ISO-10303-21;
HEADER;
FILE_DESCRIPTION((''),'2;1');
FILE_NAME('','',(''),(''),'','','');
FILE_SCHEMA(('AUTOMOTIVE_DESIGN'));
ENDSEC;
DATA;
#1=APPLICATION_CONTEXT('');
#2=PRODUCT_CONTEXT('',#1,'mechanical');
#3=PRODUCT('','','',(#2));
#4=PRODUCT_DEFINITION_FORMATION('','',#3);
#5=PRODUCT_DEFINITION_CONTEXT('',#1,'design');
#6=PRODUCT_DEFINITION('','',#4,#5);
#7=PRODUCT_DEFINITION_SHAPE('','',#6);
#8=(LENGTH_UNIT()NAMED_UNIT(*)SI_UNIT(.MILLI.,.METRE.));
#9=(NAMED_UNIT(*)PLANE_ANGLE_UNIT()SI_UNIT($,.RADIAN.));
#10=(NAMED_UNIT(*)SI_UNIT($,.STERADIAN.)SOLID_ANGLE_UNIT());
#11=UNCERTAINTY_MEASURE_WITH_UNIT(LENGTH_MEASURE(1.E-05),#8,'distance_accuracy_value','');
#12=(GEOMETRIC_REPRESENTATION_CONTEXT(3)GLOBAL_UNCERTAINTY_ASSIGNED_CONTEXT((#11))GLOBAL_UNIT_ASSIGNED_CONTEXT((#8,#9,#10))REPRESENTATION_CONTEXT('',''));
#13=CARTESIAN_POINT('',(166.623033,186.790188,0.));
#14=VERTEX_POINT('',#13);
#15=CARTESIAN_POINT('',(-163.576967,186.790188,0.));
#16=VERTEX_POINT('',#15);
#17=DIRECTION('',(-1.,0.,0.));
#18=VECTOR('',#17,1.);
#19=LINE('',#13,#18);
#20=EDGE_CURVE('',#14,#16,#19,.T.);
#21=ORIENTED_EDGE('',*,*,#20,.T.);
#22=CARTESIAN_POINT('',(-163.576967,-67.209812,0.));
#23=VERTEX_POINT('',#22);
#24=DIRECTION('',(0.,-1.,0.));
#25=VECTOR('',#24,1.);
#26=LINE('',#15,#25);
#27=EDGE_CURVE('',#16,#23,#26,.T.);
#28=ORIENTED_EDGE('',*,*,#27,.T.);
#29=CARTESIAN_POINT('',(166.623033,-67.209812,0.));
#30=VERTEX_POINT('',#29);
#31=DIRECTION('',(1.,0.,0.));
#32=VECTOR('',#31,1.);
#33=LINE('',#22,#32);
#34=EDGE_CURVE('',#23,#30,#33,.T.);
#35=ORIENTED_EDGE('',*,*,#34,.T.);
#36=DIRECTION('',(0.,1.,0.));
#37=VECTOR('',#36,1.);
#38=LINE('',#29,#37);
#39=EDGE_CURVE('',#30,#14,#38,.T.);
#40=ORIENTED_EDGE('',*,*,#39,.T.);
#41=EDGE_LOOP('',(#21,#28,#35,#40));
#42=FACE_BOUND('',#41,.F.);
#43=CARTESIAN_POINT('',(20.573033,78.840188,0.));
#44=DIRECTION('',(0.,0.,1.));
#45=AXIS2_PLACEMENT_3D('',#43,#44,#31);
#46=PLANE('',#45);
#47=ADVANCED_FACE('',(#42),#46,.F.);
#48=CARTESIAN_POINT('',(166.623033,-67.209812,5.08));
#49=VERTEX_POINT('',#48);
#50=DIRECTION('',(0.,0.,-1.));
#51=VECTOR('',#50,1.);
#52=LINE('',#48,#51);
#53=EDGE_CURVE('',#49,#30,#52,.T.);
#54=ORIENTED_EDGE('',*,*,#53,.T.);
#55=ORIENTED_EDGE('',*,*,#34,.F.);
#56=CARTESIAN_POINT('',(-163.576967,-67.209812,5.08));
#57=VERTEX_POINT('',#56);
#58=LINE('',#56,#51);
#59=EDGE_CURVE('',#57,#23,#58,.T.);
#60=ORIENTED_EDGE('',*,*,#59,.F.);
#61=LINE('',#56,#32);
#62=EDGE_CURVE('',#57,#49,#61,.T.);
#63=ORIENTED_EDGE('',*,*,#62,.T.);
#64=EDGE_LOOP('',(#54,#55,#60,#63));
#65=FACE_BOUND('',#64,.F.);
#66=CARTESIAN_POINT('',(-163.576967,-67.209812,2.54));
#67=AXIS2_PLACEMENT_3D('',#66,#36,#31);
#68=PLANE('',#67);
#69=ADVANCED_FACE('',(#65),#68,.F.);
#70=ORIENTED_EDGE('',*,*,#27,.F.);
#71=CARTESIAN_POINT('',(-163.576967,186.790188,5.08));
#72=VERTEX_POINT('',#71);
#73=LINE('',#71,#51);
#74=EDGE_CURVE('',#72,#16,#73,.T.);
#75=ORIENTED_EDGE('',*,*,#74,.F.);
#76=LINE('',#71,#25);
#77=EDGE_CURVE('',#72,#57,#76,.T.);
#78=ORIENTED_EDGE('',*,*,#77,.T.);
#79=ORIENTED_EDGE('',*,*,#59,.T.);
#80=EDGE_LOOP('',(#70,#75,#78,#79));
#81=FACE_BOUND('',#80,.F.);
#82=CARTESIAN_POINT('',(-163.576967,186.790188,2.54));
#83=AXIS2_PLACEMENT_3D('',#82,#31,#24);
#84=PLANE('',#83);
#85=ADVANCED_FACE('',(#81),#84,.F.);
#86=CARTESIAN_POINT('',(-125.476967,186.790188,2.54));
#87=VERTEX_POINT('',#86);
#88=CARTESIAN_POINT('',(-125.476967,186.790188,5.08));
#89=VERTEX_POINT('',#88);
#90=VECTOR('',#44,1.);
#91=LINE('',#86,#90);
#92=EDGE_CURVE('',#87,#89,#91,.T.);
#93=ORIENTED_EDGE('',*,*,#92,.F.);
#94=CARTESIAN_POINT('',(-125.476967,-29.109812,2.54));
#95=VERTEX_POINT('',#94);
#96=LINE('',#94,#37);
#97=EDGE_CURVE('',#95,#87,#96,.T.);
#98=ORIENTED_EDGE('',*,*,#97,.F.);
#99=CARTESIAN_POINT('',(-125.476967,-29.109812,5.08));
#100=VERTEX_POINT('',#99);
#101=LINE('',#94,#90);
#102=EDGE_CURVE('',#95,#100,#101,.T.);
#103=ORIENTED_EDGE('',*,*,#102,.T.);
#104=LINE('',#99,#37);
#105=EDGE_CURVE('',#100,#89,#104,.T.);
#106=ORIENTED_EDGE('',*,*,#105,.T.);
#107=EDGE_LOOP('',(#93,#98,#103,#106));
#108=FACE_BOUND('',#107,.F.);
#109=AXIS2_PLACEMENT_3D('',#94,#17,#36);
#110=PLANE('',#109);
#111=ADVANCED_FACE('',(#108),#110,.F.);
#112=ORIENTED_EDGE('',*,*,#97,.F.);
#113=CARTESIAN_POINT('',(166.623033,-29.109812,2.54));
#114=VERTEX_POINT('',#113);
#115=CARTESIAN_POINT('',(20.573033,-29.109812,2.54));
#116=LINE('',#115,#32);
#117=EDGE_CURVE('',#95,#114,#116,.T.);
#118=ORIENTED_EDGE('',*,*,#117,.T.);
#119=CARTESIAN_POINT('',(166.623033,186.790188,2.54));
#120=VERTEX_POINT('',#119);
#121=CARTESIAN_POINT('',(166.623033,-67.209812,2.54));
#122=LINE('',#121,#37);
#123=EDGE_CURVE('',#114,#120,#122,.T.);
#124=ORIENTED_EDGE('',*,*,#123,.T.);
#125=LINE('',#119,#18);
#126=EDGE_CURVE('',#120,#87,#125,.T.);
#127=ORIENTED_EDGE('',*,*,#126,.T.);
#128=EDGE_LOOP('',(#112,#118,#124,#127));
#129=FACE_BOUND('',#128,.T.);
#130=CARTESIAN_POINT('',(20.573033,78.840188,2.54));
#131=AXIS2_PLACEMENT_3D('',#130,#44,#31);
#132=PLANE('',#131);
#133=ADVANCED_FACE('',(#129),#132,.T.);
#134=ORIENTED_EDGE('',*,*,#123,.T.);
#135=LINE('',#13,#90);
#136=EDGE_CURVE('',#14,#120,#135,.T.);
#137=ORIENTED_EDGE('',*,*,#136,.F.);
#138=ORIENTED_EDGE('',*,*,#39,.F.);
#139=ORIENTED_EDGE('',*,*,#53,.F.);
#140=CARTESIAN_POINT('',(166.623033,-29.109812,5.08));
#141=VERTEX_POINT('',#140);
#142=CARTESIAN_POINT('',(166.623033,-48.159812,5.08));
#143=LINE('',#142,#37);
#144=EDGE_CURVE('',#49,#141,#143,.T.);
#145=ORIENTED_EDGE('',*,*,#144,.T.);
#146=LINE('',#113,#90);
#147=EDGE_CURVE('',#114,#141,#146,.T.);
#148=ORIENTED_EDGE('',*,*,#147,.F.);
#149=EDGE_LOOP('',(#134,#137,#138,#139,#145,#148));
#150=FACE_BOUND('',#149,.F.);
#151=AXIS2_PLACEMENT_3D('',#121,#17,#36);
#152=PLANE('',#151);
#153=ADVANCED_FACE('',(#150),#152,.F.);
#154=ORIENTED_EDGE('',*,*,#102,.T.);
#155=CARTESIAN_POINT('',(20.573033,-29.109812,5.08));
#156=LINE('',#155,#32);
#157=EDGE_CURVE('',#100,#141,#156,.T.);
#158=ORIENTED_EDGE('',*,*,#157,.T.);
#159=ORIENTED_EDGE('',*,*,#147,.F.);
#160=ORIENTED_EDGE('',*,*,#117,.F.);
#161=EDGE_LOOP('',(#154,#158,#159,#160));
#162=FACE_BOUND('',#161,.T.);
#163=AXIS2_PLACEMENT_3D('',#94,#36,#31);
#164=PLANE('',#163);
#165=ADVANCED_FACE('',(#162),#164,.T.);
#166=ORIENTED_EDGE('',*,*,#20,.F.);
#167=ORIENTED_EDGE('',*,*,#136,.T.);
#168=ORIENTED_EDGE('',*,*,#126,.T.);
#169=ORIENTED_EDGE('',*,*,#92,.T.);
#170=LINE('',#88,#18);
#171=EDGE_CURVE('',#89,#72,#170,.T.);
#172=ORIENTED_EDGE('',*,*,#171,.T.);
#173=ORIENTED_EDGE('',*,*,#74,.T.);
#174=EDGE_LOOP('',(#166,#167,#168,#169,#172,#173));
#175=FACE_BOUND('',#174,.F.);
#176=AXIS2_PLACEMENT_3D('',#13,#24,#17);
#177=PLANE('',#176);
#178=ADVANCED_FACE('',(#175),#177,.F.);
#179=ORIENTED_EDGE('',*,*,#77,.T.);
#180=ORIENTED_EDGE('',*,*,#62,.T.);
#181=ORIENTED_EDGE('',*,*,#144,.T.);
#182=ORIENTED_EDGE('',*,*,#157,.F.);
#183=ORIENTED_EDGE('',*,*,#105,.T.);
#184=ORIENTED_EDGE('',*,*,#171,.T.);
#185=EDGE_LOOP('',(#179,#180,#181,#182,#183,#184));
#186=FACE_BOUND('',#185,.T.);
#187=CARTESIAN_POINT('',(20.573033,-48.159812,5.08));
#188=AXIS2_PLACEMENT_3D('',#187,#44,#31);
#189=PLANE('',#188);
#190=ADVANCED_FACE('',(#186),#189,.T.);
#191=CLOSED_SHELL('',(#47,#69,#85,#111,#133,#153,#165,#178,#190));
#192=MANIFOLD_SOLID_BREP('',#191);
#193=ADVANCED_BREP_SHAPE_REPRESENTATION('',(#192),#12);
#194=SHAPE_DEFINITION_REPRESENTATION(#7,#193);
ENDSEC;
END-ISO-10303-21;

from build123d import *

# Parameters (mm, degrees)
F0_W     = 292.1
F0_H     = 215.9
F0_W_2   = 38.1
F1_DEPTH = 2.54
F2_W     = 292.1
F2_H     = 38.1
F3_DEPTH = 2.54


with BuildPart() as f1:
    # F0 (on Top) → F1 (new body)
    with BuildSketch(Plane.XY):
        with Locations((20.573033, 78.840188)):
            Rectangle(F0_W, F0_H)
        with Locations((-144.526967, 78.840188)):
            Rectangle(F0_W_2, F0_H)
        Polygon((-125.476967, -29.109812), (-163.576967, -29.109812), (-163.576967, -67.209812), (166.623033, -67.209812), (166.623033, -29.109812), align=None)
    extrude(amount=F1_DEPTH)

    # F2 (on face) → F3 (join)
    with BuildSketch(Plane.XY.offset(2.54)):
        with Locations((20.573033, -48.159812)):
            Rectangle(F2_W, F2_H)
        Polygon((-125.476967, 186.790188), (-163.576967, 186.790188), (-163.576967, -67.209812), (-125.476967, -67.209812), (-125.476967, -29.109812), align=None)
    extrude(amount=F3_DEPTH)


solid = f1.part
